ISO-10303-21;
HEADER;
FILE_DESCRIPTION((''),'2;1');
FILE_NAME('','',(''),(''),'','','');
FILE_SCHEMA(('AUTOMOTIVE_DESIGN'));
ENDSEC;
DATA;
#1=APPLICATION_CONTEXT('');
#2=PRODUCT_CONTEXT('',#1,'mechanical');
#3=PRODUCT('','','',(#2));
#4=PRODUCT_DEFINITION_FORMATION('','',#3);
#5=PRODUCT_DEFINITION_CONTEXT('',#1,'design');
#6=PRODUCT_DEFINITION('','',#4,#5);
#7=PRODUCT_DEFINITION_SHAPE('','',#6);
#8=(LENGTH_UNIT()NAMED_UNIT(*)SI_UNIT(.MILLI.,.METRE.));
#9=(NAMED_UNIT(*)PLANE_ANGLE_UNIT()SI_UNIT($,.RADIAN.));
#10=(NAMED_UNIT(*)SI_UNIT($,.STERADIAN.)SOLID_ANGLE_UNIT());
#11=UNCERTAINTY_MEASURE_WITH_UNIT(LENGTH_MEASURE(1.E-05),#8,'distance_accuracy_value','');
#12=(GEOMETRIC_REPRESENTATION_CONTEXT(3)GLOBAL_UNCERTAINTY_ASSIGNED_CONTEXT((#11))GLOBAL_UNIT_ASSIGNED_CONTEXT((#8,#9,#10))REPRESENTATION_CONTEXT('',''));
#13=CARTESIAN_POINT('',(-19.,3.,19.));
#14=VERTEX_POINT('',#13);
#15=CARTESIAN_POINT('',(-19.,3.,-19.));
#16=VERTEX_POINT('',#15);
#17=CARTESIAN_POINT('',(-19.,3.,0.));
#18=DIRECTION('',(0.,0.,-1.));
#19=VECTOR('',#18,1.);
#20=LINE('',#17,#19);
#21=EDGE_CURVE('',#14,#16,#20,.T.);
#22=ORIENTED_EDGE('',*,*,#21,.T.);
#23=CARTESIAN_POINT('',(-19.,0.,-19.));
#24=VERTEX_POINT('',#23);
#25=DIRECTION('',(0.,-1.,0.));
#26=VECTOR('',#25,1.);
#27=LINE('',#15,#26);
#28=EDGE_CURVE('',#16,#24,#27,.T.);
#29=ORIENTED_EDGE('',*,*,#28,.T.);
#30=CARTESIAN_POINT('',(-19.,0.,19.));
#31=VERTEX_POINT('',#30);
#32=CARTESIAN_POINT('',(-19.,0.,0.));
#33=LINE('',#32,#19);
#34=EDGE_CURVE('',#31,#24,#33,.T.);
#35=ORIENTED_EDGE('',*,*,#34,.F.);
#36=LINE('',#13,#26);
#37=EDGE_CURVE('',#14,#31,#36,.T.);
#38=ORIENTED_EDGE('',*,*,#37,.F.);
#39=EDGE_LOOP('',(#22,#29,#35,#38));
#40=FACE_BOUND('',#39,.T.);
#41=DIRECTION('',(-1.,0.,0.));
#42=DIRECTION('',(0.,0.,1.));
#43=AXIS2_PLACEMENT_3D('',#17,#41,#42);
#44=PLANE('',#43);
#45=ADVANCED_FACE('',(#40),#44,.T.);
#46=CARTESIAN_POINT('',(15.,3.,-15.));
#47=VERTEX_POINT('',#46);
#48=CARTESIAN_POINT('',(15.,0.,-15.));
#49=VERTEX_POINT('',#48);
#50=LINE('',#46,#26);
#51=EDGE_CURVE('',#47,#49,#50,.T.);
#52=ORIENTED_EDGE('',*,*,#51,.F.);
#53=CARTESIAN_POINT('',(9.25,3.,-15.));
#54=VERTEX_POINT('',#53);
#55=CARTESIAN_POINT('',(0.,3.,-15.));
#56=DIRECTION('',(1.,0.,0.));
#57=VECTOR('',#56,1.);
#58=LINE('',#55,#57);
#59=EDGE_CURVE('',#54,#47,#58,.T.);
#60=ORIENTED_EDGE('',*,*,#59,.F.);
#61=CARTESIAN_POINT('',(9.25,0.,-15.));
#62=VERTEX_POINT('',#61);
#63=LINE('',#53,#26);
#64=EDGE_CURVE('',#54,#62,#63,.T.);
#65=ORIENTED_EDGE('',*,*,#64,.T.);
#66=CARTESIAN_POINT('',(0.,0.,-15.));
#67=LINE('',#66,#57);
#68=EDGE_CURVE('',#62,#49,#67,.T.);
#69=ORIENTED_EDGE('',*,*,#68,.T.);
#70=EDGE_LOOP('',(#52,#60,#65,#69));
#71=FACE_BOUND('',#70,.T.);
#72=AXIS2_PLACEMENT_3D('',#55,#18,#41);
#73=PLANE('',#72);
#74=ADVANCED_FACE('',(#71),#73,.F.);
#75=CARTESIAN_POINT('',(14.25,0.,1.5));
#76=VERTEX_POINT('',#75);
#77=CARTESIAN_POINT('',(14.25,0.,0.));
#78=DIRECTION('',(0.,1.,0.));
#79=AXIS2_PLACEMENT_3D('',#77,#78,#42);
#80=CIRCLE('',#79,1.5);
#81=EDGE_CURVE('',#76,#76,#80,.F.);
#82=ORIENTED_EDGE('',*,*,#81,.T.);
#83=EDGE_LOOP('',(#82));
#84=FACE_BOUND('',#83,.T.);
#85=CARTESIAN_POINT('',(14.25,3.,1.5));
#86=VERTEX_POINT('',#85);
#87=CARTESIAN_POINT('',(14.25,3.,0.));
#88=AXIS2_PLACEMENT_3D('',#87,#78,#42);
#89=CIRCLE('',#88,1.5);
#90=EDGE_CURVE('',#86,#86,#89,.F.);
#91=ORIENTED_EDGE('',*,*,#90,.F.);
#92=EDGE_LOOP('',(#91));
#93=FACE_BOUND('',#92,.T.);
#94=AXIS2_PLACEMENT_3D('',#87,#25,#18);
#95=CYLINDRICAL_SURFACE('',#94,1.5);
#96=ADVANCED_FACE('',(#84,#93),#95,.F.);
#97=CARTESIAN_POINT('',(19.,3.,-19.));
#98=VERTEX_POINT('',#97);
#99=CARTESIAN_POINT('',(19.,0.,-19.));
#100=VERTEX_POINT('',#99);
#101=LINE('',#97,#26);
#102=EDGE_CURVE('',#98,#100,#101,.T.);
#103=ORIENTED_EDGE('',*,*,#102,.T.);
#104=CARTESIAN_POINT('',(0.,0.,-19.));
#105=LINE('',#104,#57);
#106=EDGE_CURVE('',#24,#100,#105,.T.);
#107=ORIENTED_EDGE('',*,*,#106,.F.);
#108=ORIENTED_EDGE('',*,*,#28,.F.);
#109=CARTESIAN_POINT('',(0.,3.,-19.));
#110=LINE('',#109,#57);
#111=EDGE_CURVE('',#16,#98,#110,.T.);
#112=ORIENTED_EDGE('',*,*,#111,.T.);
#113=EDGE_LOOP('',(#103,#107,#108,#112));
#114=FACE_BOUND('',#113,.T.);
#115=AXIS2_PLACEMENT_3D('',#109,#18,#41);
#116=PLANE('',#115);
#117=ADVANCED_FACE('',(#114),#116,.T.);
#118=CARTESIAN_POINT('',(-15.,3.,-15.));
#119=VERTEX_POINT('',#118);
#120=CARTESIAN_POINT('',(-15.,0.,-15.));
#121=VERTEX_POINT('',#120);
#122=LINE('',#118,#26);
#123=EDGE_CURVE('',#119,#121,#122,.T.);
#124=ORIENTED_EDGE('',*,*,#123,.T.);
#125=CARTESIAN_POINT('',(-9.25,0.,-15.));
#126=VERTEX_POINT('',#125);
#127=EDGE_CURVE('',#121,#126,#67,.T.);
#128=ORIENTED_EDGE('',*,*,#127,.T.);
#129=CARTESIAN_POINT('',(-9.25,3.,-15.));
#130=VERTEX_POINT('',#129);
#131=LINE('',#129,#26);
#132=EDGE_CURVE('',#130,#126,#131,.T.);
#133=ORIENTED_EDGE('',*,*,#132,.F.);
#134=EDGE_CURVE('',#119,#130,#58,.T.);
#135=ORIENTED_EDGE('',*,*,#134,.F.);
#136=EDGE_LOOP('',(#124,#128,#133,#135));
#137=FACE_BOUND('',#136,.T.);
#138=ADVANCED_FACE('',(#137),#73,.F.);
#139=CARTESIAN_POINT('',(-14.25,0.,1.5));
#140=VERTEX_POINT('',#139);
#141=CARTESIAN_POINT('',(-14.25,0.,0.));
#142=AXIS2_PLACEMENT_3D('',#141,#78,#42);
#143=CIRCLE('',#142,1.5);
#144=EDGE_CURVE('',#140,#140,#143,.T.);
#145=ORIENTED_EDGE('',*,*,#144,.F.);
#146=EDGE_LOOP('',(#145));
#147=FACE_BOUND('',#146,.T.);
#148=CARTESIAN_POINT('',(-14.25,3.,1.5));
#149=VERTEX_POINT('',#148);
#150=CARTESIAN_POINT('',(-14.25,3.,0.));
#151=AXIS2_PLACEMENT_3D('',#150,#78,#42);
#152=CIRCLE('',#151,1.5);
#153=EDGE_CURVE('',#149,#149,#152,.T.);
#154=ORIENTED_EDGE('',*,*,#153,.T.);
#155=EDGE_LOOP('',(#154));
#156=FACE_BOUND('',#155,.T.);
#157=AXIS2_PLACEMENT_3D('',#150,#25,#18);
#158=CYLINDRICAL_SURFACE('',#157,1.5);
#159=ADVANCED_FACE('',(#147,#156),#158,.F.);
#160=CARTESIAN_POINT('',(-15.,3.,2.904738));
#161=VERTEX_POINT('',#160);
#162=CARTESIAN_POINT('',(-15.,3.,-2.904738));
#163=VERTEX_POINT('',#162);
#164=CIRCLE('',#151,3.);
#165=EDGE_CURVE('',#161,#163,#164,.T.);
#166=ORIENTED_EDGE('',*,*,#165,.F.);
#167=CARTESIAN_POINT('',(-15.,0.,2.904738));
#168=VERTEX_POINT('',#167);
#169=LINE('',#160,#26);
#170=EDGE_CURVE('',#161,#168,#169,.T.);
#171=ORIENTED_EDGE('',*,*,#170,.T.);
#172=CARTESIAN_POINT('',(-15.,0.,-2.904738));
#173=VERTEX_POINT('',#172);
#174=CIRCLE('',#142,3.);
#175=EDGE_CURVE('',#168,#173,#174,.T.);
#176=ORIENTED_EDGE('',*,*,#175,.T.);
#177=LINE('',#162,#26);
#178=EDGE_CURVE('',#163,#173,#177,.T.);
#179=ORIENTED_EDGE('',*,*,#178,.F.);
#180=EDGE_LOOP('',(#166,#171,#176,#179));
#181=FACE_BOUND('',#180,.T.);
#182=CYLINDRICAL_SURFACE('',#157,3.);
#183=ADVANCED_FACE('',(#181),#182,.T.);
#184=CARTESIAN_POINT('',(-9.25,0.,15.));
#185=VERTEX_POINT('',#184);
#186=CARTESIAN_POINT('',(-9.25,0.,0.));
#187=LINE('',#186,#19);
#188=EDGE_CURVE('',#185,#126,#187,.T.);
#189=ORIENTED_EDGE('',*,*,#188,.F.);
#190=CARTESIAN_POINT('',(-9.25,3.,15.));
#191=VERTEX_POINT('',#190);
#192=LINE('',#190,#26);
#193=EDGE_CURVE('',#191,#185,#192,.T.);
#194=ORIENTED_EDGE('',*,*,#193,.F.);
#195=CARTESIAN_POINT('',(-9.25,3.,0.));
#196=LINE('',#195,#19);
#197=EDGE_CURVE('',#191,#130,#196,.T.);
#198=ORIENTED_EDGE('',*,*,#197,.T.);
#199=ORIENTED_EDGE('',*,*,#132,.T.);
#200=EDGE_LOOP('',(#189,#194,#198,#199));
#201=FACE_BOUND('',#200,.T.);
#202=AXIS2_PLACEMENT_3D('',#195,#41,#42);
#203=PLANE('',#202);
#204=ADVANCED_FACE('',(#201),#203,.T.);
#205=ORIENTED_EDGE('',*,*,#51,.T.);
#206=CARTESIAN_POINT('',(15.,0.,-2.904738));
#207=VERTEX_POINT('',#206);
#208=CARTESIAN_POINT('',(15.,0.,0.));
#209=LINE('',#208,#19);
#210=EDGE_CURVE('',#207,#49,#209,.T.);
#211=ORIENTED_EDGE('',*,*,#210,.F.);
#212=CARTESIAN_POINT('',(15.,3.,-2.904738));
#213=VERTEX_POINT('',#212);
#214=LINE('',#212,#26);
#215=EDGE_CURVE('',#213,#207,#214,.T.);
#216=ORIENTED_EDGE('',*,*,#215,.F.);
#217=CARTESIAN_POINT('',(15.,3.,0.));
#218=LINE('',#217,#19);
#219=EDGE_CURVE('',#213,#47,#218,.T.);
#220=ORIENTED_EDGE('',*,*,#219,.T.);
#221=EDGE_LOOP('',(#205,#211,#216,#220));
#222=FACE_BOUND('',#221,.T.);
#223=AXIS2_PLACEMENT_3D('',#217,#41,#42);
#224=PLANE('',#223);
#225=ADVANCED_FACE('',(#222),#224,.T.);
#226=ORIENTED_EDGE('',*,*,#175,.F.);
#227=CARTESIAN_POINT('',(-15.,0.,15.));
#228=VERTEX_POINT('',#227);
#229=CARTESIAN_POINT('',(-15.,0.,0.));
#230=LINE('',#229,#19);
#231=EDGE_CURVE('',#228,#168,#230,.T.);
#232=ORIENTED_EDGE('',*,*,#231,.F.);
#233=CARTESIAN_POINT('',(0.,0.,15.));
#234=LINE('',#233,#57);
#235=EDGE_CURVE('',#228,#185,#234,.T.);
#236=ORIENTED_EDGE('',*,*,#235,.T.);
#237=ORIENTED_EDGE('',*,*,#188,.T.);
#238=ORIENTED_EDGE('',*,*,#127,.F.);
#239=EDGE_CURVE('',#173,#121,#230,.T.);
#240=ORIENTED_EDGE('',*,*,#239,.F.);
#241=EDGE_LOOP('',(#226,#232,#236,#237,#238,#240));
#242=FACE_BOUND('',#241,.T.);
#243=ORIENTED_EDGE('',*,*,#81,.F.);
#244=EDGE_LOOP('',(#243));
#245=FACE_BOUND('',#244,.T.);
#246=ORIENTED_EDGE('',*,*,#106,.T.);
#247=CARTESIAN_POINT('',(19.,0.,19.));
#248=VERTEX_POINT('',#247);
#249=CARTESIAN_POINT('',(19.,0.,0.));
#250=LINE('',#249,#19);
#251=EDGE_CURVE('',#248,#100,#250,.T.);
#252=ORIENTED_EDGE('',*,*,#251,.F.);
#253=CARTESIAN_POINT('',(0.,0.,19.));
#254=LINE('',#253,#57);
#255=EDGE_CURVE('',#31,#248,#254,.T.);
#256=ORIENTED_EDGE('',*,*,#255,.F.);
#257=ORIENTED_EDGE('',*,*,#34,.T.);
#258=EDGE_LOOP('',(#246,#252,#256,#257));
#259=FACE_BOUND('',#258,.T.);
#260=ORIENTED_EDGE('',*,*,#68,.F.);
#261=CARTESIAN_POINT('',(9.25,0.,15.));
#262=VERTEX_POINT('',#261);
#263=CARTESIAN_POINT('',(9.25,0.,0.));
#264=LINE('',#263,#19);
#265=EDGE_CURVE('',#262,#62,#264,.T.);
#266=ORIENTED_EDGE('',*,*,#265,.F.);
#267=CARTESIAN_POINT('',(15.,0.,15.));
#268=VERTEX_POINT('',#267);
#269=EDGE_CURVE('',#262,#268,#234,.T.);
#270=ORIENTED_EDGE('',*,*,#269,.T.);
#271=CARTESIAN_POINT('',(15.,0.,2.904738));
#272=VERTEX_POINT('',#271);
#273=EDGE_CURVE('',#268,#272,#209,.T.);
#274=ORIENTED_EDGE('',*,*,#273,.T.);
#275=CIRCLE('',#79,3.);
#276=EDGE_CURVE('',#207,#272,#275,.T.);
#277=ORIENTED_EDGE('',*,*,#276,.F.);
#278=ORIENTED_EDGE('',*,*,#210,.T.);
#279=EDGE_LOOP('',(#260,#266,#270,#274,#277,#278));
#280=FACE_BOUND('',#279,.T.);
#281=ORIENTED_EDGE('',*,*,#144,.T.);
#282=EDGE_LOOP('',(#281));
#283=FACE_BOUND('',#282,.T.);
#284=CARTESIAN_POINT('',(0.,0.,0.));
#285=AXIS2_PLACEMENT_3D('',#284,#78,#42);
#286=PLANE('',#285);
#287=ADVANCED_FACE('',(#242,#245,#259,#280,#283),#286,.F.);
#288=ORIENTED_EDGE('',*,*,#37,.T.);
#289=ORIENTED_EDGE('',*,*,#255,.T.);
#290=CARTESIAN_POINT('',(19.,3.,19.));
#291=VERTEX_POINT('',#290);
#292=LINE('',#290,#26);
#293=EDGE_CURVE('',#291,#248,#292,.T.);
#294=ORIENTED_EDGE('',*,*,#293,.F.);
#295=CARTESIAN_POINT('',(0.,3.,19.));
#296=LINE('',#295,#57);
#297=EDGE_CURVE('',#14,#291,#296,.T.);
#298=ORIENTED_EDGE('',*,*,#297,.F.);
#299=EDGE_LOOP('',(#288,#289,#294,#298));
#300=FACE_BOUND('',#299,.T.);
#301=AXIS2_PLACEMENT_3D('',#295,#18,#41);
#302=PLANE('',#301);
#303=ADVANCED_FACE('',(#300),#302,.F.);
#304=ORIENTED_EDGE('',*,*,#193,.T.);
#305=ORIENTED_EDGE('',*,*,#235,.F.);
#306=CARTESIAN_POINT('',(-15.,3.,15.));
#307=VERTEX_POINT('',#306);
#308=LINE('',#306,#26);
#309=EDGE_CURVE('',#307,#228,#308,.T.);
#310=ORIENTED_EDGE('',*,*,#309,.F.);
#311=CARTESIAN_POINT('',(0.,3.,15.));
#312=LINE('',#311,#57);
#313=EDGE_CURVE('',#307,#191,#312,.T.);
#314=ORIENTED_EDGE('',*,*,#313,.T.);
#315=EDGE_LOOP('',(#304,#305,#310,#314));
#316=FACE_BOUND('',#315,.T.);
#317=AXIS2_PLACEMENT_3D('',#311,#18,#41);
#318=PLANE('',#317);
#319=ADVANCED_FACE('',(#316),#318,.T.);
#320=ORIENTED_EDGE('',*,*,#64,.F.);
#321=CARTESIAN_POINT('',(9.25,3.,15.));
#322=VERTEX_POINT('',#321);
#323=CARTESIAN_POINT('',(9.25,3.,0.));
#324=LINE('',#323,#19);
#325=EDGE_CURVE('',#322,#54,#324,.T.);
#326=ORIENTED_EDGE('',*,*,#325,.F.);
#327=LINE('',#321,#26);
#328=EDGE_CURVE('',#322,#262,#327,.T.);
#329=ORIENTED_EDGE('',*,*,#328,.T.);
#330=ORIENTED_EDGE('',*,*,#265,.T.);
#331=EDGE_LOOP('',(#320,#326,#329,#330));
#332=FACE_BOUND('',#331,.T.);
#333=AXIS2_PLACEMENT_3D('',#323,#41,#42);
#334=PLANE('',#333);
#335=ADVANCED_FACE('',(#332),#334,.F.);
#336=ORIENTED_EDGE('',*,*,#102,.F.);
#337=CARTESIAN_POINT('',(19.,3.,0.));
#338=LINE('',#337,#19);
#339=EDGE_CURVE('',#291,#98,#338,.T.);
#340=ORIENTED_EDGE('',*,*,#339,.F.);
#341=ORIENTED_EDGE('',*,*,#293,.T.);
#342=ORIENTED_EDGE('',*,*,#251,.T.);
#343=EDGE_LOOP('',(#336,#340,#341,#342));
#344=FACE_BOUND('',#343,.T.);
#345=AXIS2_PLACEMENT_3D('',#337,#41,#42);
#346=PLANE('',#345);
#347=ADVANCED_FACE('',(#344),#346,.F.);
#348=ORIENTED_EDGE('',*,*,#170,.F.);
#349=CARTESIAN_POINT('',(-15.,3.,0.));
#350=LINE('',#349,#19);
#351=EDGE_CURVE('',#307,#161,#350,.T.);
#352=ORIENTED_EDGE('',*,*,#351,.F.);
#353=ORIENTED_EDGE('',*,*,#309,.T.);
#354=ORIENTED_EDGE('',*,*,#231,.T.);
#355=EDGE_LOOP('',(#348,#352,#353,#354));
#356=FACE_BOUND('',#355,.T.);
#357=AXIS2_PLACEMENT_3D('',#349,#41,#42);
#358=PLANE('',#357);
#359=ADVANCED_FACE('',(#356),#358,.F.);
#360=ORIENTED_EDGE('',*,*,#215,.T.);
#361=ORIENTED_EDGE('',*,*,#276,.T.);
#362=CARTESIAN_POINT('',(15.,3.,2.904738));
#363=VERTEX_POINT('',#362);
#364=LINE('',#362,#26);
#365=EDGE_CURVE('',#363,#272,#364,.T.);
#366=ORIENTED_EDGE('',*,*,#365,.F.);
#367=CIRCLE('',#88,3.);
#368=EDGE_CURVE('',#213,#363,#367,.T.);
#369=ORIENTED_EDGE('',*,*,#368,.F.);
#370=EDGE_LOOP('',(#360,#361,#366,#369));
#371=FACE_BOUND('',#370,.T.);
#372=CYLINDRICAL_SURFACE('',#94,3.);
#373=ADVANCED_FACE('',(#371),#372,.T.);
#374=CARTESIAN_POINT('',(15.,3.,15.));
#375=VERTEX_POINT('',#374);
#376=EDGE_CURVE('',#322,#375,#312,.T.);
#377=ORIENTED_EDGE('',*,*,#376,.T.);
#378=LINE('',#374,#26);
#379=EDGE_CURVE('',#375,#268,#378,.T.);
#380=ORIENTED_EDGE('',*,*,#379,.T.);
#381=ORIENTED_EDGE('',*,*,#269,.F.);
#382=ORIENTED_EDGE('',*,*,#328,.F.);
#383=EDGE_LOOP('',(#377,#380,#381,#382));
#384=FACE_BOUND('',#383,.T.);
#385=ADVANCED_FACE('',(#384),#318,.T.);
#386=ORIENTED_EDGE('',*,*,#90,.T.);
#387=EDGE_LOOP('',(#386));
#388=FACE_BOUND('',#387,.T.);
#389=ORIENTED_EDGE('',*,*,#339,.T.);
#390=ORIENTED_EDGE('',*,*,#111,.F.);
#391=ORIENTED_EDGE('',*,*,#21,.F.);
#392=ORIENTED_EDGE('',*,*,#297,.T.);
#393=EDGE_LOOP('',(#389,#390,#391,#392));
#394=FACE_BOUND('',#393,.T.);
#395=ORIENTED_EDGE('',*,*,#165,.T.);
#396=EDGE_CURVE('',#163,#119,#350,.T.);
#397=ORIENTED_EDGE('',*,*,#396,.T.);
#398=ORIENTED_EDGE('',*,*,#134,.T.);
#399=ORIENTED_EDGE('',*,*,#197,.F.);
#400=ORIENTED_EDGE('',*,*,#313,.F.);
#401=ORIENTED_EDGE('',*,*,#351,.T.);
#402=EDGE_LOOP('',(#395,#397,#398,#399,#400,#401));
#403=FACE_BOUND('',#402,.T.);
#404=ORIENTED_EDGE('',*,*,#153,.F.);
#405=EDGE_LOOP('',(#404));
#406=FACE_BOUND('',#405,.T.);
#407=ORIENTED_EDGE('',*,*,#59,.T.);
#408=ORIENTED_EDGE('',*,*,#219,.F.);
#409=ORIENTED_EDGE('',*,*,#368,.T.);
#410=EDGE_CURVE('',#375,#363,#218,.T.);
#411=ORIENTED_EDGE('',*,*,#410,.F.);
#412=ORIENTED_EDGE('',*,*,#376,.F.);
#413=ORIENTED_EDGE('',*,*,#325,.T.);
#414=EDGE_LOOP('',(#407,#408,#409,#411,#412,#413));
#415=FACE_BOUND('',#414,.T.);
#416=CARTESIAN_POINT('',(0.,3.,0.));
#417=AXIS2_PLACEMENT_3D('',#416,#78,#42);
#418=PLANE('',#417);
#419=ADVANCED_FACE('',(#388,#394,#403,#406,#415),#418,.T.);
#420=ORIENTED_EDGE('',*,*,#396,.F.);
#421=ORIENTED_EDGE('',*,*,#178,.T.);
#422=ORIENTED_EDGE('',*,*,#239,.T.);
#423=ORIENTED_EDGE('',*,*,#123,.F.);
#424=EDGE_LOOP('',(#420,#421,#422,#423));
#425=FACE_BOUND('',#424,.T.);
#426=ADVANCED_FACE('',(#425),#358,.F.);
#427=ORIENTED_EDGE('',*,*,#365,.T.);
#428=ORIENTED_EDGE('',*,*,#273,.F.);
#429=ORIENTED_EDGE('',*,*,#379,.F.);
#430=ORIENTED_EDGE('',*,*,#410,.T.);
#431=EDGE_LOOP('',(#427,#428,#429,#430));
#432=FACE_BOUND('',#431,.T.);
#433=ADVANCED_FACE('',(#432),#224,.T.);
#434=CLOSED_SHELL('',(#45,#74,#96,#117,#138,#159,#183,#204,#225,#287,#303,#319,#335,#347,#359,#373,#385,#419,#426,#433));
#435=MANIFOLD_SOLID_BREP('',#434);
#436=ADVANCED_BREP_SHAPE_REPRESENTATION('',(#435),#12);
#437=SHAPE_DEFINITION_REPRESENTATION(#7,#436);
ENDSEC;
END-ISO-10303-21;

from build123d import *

# Parameters (mm, degrees)
SKETCH1_W           = 38
SKETCH1_H           = 38
SKETCH1_R           = 1.5
BOSS_EXTRUDE1_DEPTH = 3


with BuildPart() as part:
    # Sketch1 → Boss-Extrude1 (new body)
    with BuildSketch(Plane(origin=(0, 0, 0), x_dir=(1, 0, 0), z_dir=(0, 1, 0))):
        Rectangle(SKETCH1_W, SKETCH1_H)
        with BuildLine():
            ThreePointArc((-15, -2.90473751), (-11.25, 0), (-15, 2.90473751))
            Line((-15, 2.90473751), (-15, 15))
            Line((-15, 15), (-9.25, 15))
            Line((-9.25, 15), (-9.25, -15))
            Line((-9.25, -15), (-15, -15))
            Line((-15, -15), (-15, -2.90473751))
        make_face(mode=Mode.SUBTRACT)
        with Locations(Location((-14.25, 0, 0), (0, 0, 270))):
            Circle(SKETCH1_R, mode=Mode.SUBTRACT)
        with BuildLine():
            Line((15, -15), (9.25, -15))
            Line((9.25, -15), (9.25, 15))
            Line((9.25, 15), (15, 15))
            Line((15, 15), (15, 2.90473751))
            ThreePointArc((15, 2.90473751), (11.25, 0), (15, -2.90473751))
            Line((15, -2.90473751), (15, -15))
        make_face(mode=Mode.SUBTRACT)
        with Locations(Location((14.25, 0, 0), (0, 0, 270))):
            Circle(SKETCH1_R, mode=Mode.SUBTRACT)
    extrude(amount=BOSS_EXTRUDE1_DEPTH)


solid = part.part
